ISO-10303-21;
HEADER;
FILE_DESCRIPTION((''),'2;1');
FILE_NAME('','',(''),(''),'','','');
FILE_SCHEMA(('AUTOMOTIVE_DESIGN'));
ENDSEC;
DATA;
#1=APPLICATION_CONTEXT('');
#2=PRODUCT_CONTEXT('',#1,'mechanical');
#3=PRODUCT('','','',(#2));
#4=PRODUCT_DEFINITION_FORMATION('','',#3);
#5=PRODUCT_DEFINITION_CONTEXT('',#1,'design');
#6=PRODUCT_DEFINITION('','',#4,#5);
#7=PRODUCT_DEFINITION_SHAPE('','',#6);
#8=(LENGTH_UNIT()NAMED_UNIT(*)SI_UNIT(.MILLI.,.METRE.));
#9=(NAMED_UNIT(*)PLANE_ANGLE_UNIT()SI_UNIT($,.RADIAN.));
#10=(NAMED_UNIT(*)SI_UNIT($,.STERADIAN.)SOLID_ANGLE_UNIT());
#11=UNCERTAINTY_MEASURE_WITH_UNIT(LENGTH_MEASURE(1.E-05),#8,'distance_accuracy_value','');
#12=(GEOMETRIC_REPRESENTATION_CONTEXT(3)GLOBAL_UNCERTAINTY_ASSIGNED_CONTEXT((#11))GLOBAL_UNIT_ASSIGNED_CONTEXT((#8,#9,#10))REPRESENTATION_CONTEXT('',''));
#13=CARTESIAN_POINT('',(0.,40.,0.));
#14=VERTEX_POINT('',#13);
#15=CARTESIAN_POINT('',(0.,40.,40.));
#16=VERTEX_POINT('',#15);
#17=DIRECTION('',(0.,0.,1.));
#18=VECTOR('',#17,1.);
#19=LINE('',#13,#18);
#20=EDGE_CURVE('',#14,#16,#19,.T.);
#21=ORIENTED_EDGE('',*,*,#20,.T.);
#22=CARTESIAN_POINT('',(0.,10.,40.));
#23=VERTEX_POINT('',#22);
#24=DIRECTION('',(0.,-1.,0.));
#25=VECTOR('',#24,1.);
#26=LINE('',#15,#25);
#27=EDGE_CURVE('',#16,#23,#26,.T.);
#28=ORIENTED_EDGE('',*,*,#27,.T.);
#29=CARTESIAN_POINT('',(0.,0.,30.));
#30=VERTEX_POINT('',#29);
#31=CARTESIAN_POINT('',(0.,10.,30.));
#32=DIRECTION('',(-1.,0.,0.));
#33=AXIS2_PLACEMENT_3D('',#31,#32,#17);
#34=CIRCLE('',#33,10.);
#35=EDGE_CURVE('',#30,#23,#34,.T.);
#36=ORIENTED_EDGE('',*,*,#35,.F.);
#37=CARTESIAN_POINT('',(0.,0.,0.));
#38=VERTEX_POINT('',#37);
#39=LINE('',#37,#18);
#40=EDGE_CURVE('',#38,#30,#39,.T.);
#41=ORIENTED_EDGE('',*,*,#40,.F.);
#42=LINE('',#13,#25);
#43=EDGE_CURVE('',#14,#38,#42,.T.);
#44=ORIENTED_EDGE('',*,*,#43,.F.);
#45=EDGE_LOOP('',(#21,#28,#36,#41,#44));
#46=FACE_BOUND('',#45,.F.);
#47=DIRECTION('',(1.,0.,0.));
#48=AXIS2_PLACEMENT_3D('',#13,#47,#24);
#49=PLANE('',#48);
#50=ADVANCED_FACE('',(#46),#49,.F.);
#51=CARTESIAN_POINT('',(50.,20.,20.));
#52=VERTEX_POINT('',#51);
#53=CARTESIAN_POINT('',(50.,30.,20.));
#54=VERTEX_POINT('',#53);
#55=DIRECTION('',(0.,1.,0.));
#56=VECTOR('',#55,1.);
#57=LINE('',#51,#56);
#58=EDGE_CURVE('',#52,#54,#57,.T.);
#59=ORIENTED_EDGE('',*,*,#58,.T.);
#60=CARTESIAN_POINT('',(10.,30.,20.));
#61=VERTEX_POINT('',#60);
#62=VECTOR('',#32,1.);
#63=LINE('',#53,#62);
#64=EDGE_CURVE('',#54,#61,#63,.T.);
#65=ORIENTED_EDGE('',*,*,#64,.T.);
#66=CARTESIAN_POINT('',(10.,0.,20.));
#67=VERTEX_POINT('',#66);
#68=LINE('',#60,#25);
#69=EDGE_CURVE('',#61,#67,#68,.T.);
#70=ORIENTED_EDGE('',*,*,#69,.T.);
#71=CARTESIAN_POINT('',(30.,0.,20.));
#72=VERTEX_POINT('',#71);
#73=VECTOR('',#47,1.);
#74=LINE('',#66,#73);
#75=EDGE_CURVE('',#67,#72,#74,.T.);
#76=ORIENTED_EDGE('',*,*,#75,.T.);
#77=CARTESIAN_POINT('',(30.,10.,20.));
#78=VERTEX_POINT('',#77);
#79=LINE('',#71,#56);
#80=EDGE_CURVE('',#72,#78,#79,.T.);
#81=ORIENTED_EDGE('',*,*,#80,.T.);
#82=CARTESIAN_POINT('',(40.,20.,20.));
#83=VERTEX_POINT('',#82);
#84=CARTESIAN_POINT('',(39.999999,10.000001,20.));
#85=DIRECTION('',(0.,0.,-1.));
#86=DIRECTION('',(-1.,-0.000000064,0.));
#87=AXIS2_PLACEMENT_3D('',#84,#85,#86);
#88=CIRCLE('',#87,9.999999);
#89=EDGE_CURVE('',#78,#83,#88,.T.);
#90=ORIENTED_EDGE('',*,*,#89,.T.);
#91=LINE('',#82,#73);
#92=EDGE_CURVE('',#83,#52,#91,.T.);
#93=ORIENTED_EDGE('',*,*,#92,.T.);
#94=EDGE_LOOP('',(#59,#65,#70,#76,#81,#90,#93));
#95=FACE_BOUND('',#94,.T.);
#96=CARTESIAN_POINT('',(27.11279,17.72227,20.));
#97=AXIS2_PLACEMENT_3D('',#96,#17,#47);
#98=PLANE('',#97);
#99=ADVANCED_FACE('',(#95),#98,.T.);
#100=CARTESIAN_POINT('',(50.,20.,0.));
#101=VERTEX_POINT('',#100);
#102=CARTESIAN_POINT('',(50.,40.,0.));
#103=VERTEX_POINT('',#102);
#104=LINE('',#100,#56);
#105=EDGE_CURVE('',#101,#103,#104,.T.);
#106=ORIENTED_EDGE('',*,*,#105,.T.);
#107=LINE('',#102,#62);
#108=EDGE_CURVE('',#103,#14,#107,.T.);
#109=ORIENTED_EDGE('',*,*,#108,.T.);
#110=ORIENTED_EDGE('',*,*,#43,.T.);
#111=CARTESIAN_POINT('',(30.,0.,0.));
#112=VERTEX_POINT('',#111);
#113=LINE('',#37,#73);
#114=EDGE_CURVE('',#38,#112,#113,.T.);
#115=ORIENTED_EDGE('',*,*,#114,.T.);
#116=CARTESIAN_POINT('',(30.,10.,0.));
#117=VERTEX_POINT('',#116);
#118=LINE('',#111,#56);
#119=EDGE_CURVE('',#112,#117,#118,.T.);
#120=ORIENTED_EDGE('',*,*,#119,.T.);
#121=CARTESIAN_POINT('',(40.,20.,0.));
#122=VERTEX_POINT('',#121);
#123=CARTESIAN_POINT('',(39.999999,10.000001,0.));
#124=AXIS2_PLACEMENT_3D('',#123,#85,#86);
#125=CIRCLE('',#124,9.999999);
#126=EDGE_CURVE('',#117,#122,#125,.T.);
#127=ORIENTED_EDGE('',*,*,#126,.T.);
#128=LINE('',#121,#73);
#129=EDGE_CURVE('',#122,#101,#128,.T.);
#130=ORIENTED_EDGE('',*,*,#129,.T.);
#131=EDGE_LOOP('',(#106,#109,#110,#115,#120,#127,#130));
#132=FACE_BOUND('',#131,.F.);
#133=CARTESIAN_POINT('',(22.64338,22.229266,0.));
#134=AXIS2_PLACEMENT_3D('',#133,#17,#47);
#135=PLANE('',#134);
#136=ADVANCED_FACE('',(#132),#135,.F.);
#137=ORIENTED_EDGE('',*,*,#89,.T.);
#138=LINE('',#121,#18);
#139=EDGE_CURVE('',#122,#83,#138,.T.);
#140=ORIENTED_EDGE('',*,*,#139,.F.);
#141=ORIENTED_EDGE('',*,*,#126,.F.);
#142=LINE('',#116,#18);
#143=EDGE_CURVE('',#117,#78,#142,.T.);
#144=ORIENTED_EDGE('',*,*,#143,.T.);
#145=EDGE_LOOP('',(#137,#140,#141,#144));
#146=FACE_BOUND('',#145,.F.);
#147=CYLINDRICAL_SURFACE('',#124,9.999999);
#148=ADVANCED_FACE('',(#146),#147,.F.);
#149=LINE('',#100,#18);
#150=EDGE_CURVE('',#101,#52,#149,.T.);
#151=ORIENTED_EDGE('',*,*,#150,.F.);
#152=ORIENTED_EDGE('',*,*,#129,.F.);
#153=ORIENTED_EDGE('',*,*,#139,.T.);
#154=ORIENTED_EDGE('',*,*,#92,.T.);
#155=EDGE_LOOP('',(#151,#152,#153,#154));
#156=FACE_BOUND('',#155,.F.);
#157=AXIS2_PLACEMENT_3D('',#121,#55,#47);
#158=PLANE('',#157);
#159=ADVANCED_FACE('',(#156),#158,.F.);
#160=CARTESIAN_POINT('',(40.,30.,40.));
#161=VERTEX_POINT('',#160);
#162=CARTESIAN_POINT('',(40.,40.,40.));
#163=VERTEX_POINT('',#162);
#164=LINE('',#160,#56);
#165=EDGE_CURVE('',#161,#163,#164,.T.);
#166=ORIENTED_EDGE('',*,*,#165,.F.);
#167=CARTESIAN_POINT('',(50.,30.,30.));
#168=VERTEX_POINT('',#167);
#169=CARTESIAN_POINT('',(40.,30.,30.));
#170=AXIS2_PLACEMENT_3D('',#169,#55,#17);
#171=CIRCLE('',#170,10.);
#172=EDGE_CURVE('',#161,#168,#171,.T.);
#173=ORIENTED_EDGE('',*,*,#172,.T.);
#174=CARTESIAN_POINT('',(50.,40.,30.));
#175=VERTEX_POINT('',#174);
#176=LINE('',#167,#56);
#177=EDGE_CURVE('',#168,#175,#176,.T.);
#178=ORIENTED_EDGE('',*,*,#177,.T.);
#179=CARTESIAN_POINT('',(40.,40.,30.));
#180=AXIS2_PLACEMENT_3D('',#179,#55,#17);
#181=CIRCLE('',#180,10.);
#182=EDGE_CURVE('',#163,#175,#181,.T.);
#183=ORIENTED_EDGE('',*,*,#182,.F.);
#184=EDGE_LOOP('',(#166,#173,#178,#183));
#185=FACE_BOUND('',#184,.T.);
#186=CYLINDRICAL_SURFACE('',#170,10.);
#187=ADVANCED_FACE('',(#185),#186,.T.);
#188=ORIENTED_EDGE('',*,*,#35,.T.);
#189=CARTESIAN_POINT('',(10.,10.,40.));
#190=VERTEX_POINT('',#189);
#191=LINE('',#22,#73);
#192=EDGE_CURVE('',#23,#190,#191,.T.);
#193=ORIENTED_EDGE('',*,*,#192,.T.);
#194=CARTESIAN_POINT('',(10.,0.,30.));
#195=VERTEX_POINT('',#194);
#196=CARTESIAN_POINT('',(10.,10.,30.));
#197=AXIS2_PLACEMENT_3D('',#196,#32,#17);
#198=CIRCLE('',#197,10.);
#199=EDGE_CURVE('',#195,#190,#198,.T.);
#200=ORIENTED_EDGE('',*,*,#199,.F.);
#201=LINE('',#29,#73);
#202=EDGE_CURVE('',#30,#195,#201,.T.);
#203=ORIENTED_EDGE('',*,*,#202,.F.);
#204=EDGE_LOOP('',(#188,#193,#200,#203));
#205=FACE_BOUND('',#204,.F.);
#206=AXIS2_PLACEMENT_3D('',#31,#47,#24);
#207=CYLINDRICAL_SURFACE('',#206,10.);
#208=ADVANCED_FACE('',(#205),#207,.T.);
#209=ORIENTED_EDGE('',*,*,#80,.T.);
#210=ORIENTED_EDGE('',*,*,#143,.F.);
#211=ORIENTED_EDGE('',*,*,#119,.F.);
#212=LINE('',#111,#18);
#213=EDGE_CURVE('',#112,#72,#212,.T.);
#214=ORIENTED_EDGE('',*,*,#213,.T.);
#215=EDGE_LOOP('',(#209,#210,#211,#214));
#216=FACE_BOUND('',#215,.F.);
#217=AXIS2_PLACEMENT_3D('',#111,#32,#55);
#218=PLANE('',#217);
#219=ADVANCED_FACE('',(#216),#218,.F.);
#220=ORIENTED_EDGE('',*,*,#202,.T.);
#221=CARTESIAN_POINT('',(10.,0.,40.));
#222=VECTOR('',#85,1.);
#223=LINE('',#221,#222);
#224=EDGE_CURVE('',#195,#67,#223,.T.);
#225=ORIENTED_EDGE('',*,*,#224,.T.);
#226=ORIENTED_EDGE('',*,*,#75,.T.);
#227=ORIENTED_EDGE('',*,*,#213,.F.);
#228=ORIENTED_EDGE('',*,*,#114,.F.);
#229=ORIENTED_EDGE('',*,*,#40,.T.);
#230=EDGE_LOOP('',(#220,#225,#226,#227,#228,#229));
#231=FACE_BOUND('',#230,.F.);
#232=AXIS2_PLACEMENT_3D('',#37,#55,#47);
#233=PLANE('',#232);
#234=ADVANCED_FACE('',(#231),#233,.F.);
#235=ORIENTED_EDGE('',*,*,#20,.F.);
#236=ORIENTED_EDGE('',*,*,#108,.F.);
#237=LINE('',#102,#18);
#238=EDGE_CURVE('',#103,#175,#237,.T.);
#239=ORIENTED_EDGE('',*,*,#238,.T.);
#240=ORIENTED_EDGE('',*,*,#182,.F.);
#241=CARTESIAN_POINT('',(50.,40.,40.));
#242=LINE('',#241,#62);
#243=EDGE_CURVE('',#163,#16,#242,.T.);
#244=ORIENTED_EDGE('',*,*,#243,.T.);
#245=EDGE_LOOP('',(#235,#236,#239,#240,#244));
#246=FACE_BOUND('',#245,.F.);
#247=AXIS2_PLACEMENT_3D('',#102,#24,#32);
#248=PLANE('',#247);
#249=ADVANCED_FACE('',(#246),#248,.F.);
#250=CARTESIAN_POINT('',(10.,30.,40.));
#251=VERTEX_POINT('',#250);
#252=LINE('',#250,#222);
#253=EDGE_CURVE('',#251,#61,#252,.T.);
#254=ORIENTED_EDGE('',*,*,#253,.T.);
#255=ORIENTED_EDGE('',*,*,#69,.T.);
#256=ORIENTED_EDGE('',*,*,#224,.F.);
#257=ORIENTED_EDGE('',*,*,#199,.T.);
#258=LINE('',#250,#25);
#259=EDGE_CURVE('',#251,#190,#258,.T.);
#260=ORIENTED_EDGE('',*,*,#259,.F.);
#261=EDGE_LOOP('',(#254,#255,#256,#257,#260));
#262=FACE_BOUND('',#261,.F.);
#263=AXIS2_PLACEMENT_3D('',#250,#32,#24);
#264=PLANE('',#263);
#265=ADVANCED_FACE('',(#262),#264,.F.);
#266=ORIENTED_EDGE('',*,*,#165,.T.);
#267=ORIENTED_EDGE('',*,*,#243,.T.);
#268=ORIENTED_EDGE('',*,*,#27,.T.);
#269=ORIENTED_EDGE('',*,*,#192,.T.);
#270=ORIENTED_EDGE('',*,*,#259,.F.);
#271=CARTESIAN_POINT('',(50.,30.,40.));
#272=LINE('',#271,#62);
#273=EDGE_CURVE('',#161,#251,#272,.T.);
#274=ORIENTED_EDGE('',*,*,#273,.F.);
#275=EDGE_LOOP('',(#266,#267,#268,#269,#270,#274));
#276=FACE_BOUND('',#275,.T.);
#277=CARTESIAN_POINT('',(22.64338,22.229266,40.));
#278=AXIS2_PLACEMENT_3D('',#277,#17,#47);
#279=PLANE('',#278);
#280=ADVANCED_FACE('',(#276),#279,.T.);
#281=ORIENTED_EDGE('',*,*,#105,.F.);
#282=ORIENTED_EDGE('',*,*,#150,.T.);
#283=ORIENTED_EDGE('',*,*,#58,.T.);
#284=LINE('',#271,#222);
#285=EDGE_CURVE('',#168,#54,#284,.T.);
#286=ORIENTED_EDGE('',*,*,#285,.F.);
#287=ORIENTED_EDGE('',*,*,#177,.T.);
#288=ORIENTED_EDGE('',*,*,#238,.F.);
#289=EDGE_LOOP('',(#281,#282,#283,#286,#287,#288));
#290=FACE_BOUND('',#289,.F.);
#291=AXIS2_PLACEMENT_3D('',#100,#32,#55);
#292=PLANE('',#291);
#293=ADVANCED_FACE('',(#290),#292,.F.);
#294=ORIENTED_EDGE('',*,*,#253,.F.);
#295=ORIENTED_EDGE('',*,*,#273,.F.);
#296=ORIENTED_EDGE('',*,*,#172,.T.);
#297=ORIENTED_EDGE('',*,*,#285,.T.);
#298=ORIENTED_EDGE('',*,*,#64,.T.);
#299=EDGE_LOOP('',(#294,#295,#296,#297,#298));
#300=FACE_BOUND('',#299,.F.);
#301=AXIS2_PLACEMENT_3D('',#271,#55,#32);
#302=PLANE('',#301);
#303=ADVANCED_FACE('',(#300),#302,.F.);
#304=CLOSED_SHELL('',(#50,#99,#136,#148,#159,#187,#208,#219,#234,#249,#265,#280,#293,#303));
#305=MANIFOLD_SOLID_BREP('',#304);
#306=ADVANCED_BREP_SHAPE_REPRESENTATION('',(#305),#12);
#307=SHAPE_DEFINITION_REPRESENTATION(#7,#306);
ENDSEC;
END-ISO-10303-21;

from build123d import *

# Parameters (mm, degrees)
F1_DEPTH = 40
F3_DEPTH = 20
F4_R     = 10


with BuildPart() as f1:
    # F0 (on Top) → F1 (new body)
    with BuildSketch(Plane.XY):
        with BuildLine():
            Line((0, 40), (0, 0))
            Line((0, 0), (30, 0))
            Line((30, 0), (30, 10))
            ThreePointArc((30, 10), (32.928932, 17.071068), (40, 20))
            Line((40, 20), (50, 20))
            Line((50, 20), (50, 40))
            Line((50, 40), (0, 40))
        make_face()
    extrude(amount=F1_DEPTH)

    # F2 (on face) → F3 (cut)
    with BuildSketch(Plane.XY.offset(40)):
        with BuildLine():
            Line((50, 20), (50, 30))
            Line((50, 30), (10, 30))
            Line((10, 30), (10, 0))
            Line((10, 0), (30, 0))
            Line((30, 0), (30, 10))
            ThreePointArc((30, 10), (32.928932, 17.071068), (40, 20))
            Line((40, 20), (50, 20))
        make_face()
    extrude(amount=-F3_DEPTH, mode=Mode.SUBTRACT)

    # F4
    f4_edges = [f1.edges().sort_by_distance(p)[0] for p in [
        (50, 35, 40),
        (5, 0, 40),
    ]]
    fillet(f4_edges, radius=F4_R)


solid = f1.part
